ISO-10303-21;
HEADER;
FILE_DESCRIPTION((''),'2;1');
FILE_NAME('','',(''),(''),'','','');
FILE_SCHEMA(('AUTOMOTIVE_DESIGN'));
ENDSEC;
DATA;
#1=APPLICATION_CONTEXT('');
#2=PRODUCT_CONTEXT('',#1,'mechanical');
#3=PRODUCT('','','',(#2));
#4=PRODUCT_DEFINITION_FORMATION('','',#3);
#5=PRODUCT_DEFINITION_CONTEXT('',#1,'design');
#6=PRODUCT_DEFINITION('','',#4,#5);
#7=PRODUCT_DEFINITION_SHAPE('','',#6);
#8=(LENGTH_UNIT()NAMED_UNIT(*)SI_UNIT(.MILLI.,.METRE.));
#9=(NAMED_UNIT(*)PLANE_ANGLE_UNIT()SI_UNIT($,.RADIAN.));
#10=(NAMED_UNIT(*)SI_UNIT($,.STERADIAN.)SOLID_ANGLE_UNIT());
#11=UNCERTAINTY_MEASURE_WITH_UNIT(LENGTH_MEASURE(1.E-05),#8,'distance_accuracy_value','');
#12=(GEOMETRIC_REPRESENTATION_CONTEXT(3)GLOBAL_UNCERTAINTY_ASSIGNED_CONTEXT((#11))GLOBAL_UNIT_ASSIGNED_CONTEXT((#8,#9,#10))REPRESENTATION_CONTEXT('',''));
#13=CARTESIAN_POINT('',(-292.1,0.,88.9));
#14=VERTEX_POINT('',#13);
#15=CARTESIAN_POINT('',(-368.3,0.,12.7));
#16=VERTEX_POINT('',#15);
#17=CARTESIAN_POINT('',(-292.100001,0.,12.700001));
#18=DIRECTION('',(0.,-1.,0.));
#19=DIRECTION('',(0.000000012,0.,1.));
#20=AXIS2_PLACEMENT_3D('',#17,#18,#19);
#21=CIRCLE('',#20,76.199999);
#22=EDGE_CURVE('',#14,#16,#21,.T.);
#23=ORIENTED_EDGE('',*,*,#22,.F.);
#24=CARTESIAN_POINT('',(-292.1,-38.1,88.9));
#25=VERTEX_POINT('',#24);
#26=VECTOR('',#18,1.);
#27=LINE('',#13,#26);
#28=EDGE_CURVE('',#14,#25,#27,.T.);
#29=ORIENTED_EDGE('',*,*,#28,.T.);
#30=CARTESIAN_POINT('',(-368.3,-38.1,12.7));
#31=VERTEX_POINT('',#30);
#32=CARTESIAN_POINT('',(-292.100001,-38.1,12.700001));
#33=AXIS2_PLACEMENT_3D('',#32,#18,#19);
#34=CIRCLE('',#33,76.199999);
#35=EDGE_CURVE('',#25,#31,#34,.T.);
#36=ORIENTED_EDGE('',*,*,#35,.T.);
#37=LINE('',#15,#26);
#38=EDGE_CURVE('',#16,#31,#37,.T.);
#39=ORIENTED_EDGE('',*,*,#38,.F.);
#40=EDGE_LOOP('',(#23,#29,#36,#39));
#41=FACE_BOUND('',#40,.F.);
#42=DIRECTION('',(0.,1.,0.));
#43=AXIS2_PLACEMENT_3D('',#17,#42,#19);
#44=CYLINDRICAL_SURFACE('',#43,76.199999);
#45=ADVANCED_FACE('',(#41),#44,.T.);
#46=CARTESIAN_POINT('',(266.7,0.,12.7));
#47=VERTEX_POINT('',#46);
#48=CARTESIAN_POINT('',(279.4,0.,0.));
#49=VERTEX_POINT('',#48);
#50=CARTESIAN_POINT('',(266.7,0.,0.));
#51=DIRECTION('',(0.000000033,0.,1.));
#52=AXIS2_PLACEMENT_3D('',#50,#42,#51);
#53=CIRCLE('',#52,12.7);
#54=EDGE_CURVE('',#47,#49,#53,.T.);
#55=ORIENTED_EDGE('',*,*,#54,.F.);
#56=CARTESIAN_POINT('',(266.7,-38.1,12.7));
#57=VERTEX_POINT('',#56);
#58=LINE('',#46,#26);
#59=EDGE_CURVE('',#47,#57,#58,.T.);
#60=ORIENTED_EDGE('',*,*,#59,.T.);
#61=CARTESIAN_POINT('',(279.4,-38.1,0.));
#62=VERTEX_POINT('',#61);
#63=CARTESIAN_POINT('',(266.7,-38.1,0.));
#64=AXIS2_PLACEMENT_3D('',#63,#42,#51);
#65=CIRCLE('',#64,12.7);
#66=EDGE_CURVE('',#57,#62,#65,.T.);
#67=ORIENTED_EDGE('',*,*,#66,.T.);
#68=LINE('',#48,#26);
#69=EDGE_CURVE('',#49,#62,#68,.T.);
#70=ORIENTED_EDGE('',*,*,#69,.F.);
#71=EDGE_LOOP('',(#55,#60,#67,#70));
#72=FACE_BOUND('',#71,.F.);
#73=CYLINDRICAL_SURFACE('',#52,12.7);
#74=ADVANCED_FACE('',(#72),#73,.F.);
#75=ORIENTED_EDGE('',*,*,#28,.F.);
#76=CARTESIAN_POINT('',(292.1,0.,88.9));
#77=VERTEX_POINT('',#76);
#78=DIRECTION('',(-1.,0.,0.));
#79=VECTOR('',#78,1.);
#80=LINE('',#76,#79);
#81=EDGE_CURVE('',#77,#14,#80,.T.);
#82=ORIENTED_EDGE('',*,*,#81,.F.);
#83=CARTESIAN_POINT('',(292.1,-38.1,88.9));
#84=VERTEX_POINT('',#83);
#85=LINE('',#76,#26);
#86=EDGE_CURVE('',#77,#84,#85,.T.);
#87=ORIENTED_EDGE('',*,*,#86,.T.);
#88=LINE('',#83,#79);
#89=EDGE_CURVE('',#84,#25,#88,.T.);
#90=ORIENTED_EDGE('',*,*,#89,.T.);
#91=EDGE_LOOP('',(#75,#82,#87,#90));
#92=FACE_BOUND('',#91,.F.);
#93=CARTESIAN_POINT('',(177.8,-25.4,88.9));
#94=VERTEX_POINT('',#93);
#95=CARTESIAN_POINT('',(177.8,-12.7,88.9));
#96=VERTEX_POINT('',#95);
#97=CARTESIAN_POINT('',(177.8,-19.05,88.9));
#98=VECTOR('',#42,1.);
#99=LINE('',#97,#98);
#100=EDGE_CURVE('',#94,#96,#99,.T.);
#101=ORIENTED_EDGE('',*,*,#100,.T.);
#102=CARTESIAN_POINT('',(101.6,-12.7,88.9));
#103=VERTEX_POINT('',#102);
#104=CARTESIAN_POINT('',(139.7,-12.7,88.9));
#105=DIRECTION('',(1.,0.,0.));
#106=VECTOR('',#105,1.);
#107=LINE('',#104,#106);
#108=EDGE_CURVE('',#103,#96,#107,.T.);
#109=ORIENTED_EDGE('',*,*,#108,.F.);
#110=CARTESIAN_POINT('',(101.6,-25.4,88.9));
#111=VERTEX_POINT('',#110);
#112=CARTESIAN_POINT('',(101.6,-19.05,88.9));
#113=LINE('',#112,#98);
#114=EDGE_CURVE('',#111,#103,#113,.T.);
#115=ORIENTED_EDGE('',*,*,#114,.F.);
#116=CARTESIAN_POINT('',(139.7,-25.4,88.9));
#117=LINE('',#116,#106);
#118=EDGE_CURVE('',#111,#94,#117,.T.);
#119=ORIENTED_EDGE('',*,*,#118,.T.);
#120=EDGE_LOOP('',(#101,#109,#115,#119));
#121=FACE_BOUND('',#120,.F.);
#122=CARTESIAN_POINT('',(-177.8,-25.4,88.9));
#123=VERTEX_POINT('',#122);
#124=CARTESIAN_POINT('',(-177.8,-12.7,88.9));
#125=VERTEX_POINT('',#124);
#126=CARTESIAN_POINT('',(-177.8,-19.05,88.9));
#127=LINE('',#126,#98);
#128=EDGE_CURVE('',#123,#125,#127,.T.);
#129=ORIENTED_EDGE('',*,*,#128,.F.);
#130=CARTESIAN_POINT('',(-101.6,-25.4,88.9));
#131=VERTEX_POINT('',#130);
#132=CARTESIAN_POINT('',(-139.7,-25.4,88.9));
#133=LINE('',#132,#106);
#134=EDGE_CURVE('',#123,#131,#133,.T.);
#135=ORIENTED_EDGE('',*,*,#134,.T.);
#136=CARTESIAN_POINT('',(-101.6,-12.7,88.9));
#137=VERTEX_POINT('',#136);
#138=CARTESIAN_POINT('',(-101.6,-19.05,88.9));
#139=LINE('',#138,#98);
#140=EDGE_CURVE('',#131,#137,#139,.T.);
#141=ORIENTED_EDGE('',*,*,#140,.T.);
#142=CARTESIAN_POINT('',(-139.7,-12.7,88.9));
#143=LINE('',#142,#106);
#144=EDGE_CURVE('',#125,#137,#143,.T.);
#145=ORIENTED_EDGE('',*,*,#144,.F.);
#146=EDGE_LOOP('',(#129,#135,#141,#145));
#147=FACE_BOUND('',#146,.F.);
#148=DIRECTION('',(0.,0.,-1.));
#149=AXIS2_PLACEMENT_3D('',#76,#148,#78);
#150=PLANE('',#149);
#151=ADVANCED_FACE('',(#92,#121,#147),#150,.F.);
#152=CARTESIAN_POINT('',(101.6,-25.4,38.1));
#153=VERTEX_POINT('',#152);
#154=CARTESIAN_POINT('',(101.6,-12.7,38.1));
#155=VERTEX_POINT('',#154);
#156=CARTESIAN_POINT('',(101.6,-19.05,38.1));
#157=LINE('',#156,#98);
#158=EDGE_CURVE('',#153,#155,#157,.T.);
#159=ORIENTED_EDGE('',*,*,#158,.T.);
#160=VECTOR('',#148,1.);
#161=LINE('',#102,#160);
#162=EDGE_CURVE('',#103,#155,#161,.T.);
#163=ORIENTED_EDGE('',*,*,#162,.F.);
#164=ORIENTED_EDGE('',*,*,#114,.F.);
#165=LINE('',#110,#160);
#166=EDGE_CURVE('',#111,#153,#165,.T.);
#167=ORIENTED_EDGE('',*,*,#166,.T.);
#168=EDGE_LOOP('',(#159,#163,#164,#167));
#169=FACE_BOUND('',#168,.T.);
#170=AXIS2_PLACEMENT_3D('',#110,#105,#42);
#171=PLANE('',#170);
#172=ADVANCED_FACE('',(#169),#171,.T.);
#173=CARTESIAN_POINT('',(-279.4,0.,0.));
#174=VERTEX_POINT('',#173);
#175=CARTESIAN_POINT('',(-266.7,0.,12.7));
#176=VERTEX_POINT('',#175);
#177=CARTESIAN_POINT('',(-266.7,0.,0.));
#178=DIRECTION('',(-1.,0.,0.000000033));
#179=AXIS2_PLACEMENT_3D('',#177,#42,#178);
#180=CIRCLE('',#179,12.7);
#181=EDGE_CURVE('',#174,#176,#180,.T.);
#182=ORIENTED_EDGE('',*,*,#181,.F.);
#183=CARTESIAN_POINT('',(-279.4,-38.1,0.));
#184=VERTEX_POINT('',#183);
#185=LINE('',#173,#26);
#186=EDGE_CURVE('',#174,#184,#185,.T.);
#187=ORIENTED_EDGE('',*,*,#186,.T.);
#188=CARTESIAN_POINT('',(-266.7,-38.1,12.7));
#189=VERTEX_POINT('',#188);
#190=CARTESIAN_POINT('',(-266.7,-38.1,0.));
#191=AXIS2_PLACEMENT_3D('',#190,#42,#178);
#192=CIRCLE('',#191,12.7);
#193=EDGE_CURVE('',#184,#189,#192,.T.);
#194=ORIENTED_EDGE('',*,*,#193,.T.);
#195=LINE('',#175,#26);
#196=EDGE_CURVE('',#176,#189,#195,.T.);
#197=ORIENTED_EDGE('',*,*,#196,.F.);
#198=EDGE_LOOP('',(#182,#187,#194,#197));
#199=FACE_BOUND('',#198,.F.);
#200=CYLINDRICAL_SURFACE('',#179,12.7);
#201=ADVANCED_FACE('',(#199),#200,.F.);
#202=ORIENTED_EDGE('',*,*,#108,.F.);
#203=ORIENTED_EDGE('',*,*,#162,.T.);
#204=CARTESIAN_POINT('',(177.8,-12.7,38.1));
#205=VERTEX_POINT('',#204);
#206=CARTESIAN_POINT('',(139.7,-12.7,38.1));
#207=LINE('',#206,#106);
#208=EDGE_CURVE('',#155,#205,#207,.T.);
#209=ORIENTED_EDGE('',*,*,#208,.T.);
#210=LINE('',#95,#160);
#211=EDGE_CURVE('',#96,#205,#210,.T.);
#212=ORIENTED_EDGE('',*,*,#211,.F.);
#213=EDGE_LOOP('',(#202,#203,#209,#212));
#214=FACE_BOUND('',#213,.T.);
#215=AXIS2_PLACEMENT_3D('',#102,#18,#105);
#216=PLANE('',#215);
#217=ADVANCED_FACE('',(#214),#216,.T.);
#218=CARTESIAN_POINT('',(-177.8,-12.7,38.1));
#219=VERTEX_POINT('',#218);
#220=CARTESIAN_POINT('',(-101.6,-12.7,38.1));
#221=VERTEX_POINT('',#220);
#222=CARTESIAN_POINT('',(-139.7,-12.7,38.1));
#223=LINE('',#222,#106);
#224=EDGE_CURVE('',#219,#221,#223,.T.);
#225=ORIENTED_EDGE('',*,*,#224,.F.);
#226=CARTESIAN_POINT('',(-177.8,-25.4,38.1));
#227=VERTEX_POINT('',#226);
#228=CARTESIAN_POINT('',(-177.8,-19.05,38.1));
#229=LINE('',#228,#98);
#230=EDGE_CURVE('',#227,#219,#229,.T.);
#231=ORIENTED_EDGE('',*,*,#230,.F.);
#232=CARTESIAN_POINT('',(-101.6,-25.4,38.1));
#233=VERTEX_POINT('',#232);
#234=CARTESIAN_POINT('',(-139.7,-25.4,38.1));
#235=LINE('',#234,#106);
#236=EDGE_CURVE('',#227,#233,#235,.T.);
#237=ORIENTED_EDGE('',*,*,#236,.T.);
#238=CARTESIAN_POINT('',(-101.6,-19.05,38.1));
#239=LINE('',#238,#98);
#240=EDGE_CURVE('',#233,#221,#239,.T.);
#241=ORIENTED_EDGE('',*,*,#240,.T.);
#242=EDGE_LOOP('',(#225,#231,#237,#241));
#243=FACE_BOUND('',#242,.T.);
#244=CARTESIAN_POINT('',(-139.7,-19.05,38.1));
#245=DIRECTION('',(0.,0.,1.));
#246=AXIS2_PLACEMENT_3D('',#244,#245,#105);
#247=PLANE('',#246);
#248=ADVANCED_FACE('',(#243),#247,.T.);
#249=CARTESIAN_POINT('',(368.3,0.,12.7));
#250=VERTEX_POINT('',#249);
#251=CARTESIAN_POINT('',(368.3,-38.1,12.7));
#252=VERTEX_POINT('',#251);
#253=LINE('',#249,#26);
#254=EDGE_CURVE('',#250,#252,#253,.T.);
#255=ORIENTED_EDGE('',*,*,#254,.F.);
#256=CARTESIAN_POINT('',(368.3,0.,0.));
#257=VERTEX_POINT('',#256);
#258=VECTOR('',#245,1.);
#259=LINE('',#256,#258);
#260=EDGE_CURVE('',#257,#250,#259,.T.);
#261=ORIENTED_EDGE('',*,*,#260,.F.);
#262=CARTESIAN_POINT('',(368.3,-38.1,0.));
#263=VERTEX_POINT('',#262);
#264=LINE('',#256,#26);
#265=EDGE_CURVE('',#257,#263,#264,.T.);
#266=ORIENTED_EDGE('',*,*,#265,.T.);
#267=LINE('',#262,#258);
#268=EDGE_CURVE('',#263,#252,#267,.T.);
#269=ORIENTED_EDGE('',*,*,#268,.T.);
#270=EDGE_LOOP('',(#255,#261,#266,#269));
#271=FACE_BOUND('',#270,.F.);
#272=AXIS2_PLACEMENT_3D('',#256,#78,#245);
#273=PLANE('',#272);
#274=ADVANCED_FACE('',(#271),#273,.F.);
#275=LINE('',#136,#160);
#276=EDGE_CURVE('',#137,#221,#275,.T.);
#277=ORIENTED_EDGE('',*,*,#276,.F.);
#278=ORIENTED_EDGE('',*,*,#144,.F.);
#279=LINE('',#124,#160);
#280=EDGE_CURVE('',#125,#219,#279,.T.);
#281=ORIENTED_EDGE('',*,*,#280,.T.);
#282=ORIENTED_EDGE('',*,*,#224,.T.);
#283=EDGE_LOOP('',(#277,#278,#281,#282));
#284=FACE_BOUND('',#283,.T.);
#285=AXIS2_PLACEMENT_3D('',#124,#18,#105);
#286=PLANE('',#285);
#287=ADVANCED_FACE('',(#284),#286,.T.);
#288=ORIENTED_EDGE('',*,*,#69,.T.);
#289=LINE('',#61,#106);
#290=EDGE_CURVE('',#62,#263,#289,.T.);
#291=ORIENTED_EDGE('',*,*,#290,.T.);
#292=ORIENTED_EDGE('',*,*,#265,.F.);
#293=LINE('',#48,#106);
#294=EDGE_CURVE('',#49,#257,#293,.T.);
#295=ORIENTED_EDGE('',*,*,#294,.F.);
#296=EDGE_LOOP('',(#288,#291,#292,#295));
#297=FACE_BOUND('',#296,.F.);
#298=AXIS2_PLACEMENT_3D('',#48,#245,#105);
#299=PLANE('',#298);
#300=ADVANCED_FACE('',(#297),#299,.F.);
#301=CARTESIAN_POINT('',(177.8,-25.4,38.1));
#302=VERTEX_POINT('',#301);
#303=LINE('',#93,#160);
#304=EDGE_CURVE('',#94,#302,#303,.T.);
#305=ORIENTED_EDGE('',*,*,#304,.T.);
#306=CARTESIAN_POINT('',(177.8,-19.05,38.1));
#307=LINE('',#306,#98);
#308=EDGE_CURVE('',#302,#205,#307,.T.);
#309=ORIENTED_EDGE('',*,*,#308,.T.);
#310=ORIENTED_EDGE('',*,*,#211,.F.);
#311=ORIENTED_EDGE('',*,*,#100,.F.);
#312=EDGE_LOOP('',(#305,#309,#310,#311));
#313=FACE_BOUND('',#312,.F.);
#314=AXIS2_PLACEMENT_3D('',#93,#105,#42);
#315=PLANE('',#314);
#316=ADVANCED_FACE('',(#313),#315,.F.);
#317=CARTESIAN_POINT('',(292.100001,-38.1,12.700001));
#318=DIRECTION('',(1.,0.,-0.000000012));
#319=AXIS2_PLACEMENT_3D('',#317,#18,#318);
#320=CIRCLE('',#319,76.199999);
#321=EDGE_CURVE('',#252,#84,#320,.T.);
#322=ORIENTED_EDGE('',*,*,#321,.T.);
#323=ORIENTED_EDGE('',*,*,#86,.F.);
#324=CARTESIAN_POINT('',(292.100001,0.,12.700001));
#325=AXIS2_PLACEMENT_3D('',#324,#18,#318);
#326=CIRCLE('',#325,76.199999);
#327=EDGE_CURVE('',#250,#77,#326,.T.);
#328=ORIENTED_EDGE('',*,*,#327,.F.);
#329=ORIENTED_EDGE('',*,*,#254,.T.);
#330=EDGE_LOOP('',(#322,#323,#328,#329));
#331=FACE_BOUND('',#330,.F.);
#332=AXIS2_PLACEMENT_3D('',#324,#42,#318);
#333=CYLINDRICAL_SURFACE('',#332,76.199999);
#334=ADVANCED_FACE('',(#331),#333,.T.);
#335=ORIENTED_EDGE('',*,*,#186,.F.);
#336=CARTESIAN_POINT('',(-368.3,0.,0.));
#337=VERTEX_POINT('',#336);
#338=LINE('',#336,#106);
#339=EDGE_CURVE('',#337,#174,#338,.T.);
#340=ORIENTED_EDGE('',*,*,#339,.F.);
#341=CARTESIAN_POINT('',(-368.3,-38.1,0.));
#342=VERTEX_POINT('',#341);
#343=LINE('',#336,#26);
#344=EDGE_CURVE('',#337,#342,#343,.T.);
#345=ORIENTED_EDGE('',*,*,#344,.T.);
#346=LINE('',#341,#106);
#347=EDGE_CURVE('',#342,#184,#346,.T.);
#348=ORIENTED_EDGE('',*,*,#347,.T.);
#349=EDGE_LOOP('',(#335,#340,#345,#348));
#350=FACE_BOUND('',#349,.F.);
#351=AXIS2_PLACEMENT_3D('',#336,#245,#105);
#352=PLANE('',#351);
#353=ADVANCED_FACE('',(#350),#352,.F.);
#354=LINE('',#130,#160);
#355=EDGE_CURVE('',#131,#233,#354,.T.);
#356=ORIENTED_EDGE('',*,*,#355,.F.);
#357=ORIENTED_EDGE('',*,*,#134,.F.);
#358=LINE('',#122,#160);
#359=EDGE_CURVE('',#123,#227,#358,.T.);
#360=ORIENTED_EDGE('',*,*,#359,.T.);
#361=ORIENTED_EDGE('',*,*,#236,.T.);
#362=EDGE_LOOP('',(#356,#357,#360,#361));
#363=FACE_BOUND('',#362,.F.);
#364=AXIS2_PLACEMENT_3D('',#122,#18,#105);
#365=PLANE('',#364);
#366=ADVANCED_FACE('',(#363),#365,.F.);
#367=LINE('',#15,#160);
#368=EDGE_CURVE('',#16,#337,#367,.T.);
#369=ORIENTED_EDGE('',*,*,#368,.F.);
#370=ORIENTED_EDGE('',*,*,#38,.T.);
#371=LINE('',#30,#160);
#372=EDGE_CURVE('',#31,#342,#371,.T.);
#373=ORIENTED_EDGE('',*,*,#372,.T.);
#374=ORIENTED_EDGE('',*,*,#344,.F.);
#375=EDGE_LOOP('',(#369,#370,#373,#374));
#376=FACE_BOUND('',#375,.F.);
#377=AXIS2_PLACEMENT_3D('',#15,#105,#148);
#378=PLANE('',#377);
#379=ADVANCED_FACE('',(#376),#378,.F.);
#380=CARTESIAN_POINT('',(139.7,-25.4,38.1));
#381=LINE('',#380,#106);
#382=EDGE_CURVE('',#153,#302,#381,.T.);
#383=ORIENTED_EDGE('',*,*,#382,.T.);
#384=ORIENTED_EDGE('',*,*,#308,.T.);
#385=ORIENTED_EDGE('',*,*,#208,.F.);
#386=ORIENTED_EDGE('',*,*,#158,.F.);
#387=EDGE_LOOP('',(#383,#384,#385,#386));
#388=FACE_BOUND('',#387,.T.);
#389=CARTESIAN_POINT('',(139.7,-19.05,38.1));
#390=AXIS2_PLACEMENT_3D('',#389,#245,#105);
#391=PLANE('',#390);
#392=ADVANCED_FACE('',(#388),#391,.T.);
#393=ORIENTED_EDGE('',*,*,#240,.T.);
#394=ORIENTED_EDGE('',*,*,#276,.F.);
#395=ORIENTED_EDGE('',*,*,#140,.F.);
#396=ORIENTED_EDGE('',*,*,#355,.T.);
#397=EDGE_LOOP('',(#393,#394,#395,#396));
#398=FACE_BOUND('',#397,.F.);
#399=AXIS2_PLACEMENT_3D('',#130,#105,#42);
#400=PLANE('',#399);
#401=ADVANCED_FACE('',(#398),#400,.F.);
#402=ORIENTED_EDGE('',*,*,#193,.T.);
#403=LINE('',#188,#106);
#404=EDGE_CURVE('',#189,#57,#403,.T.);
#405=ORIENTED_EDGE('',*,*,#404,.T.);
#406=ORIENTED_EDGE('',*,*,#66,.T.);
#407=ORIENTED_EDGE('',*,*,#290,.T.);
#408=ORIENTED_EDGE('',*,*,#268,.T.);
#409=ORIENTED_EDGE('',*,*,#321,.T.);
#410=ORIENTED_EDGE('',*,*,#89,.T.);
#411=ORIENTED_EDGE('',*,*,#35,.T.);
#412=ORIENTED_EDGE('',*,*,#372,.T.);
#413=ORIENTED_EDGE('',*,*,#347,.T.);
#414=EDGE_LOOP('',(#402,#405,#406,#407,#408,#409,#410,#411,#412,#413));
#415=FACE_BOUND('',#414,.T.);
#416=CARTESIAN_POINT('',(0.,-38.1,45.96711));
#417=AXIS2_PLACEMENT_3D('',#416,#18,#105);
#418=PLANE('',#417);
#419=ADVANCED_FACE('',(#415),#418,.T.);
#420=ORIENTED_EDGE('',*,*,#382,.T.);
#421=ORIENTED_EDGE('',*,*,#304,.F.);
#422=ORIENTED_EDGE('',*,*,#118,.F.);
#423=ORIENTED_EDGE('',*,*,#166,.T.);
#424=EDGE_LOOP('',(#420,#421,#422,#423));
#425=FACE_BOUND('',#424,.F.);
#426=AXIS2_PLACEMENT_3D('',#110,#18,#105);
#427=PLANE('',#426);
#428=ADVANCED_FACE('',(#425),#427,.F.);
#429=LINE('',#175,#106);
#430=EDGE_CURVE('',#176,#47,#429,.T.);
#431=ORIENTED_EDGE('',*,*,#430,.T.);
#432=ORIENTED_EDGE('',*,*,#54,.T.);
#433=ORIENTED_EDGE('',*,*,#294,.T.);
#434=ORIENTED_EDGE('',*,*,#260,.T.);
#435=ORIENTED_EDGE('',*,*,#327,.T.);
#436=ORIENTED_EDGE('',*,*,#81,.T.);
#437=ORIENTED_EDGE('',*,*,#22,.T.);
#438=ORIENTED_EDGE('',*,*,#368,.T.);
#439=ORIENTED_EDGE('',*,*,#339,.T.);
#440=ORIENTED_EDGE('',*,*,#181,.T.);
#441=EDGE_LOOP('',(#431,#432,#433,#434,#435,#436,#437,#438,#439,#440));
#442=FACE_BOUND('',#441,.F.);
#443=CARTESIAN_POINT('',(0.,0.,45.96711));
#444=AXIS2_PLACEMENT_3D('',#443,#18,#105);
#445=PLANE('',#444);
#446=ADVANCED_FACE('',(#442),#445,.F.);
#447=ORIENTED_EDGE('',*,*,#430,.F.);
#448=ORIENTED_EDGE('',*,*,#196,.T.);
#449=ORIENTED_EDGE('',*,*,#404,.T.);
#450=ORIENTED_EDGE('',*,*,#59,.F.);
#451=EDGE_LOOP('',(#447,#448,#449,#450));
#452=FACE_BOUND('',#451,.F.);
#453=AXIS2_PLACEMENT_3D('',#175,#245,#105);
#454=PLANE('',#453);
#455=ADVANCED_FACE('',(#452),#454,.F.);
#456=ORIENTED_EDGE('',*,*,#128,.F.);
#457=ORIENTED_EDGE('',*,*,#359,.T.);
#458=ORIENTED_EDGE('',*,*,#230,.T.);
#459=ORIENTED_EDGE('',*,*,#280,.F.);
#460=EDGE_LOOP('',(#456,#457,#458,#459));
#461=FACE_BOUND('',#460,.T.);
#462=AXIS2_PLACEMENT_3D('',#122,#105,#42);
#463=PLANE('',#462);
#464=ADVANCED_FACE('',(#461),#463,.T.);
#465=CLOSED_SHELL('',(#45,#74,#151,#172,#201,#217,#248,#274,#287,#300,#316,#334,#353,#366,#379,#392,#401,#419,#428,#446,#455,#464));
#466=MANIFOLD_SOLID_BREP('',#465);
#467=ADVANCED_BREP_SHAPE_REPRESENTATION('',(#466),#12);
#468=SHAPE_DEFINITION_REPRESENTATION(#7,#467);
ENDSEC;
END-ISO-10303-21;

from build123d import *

# Parameters (mm, degrees)
F1_DEPTH = 38.1
F2_W     = 76.2
F2_H     = 12.7
F3_DEPTH = 50.8


with BuildPart() as f1:
    # F0 (on Front) → F1 (new body)
    with BuildSketch(Plane.XZ):
        with BuildLine():
            Line((-368.3, 12.7), (-368.3, 0))
            Line((-368.3, 0), (-279.4, 0))
            ThreePointArc((-279.4, 0), (-275.680256, 8.980256), (-266.7, 12.7))
            Line((-266.7, 12.7), (266.7, 12.7))
            ThreePointArc((266.7, 12.7), (275.680256, 8.980256), (279.4, 0))
            Line((279.4, 0), (368.3, 0))
            Line((368.3, 0), (368.3, 12.7))
            ThreePointArc((368.3, 12.7), (345.981537, 66.581537), (292.1, 88.9))
            Line((292.1, 88.9), (-292.1, 88.9))
            ThreePointArc((-292.1, 88.9), (-345.981537, 66.581537), (-368.3, 12.7))
        make_face()
    extrude(amount=F1_DEPTH)

    # F2 (on face) → F3 (cut)
    with BuildSketch(Plane.XY.offset(88.9)):
        with Locations((-139.7, -19.05)):
            Rectangle(F2_W, F2_H)
        with Locations((139.7, -19.05)):
            Rectangle(F2_W, F2_H)
    extrude(amount=-F3_DEPTH, mode=Mode.SUBTRACT)


solid = f1.part
